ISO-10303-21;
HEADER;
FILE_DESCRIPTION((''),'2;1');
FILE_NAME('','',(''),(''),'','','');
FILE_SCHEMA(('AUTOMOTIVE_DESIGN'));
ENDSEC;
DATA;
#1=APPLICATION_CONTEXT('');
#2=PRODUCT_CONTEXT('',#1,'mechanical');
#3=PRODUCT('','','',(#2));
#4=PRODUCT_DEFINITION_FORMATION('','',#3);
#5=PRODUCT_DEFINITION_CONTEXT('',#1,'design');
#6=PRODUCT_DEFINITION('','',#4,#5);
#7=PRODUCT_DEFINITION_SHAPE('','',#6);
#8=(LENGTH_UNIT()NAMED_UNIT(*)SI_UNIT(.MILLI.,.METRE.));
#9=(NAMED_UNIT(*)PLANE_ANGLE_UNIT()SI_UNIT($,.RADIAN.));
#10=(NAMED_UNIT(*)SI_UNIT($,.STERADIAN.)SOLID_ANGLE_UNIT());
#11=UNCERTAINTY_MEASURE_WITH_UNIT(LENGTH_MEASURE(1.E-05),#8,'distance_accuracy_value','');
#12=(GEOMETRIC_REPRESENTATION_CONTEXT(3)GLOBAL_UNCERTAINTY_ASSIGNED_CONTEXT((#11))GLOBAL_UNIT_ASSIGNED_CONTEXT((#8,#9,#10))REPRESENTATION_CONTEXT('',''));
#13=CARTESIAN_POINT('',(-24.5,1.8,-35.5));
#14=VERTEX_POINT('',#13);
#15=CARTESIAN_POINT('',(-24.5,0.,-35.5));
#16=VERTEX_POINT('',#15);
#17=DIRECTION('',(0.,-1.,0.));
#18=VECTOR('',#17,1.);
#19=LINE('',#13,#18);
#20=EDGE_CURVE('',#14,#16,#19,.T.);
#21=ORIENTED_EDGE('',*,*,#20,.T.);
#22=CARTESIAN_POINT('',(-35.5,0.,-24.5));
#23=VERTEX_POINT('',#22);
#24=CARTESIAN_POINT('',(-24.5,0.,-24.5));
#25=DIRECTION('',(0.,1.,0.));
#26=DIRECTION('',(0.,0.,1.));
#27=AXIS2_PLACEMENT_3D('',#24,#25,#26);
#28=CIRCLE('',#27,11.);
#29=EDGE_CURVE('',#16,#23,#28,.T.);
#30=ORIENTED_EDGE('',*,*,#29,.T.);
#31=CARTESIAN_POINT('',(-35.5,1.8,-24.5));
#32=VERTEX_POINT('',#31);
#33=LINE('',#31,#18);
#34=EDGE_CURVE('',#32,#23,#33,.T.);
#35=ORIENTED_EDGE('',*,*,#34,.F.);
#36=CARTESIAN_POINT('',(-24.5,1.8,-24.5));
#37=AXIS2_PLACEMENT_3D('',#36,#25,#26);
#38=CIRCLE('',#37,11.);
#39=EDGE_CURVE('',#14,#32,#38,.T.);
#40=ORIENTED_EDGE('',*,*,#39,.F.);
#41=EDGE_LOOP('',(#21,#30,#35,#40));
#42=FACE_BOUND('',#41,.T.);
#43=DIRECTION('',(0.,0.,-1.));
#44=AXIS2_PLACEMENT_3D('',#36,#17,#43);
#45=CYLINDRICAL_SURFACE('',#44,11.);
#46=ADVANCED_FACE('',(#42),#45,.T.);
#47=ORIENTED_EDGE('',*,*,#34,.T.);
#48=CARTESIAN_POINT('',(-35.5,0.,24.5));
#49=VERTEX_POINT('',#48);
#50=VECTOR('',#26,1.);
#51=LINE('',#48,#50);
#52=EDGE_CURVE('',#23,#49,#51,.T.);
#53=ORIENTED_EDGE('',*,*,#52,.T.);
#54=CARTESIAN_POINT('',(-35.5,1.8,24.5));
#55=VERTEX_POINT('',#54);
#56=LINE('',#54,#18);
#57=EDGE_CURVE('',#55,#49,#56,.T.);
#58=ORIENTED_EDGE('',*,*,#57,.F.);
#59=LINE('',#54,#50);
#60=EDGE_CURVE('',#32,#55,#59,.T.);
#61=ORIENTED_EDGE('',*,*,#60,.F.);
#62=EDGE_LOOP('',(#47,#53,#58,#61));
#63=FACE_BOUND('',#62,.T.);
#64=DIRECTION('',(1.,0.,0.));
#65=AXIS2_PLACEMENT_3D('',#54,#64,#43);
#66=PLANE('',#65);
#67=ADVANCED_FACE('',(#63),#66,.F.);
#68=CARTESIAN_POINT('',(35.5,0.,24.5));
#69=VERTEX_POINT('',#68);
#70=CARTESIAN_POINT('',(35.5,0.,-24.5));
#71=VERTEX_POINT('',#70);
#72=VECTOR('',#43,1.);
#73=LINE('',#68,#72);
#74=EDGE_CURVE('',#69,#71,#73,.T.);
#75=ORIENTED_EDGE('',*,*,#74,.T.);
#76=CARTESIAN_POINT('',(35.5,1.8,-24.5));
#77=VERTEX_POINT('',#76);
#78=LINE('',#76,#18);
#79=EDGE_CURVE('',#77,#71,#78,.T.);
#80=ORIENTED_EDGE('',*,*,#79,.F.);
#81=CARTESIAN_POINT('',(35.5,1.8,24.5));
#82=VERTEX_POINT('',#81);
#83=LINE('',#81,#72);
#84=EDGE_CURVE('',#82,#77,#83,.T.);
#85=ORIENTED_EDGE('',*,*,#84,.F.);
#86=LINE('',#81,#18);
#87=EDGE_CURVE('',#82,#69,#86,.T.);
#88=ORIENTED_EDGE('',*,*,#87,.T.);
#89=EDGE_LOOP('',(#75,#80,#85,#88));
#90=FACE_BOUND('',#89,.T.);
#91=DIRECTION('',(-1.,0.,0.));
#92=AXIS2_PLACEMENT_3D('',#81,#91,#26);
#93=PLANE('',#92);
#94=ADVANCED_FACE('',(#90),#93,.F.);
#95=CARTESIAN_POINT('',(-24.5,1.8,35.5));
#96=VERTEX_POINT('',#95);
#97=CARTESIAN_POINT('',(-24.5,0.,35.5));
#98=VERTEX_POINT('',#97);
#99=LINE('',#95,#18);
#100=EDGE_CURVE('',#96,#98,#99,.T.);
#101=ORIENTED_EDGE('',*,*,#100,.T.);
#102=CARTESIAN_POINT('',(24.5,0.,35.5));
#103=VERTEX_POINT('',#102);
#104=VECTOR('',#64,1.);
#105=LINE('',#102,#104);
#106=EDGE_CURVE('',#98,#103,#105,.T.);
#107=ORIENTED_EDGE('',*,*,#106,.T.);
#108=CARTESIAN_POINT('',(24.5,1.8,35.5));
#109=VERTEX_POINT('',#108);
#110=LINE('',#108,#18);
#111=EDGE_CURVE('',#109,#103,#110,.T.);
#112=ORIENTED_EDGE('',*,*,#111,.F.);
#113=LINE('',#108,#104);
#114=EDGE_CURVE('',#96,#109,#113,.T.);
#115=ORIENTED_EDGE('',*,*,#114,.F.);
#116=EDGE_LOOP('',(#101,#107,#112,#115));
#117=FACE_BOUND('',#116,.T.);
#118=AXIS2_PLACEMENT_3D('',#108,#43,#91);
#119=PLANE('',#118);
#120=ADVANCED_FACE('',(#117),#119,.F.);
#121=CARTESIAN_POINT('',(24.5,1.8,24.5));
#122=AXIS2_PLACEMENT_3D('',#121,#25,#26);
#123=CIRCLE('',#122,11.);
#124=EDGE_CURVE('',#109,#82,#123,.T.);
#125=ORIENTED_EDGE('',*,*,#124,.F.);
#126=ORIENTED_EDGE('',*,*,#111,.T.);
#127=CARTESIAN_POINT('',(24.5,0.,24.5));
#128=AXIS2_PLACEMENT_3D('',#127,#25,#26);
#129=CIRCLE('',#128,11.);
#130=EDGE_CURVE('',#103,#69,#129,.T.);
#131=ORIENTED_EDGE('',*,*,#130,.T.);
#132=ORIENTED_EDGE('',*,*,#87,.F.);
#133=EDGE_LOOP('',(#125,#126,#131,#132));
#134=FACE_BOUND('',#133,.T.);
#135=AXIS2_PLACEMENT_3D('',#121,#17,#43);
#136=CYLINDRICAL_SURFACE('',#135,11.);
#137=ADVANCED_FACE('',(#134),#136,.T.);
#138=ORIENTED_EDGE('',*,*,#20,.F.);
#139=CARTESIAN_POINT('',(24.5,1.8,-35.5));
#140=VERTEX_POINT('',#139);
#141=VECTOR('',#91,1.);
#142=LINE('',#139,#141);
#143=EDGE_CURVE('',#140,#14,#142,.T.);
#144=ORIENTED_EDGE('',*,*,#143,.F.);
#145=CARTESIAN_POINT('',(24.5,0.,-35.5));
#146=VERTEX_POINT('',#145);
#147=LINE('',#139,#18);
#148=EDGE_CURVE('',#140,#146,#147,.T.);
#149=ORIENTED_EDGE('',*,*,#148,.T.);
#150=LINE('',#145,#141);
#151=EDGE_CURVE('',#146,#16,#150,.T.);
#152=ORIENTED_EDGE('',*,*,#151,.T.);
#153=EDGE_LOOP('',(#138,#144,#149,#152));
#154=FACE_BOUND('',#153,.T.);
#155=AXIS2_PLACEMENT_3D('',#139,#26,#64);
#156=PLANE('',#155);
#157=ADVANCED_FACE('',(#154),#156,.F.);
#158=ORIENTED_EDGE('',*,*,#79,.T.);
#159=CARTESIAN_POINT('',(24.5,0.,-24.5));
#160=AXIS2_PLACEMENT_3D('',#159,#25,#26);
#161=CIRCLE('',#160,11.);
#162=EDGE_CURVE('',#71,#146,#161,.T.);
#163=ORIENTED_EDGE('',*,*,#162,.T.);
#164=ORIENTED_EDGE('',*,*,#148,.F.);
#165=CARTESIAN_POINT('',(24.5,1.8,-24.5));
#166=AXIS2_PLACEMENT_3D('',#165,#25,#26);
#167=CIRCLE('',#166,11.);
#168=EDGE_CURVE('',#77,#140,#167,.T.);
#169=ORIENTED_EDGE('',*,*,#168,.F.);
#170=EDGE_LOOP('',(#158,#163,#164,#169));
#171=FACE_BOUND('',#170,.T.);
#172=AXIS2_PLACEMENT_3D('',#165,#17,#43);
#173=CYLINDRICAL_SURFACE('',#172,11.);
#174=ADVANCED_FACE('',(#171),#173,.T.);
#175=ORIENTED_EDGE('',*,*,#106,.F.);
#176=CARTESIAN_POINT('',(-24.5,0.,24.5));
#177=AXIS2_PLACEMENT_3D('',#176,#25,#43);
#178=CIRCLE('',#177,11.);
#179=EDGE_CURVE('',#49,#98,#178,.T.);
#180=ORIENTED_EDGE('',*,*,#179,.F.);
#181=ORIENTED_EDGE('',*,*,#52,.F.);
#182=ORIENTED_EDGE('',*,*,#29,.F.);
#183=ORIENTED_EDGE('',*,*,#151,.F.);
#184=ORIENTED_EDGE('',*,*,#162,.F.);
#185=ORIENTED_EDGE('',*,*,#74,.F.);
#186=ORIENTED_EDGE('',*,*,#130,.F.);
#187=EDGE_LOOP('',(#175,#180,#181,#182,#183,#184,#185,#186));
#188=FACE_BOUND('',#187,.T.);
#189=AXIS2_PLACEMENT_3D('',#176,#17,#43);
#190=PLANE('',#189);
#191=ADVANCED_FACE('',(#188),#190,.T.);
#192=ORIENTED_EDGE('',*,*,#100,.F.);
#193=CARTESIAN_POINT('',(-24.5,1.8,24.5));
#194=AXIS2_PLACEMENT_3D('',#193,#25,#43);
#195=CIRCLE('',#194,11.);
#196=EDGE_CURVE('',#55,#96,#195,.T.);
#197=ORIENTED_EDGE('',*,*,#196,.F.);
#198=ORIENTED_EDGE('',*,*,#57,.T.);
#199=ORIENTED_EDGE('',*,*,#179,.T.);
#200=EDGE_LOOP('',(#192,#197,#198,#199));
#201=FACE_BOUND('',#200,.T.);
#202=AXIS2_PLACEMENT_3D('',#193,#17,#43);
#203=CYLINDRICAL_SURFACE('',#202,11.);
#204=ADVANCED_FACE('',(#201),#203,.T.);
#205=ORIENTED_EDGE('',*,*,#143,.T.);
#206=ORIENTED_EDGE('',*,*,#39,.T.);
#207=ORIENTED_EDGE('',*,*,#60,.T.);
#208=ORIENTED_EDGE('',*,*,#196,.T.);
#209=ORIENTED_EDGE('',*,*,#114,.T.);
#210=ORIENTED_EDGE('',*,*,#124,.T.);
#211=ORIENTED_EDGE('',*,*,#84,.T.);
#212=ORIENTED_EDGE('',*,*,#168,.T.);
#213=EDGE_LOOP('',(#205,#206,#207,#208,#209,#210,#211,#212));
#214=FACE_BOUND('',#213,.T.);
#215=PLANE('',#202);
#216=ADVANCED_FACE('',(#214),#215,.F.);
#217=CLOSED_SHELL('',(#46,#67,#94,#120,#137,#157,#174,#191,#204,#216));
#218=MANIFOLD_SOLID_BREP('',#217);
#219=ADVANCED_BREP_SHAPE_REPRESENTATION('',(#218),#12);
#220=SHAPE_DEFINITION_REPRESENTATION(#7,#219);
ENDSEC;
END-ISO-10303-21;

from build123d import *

# Parameters (mm, degrees)
BOSS_EXTRUDE1_DEPTH = 1.8


with BuildPart() as part:
    # Sketch1 → Boss-Extrude1 (new body)
    with BuildSketch(Plane(origin=(0, 0, 0), x_dir=(1, 0, 0), z_dir=(0, 1, 0))):
        with BuildLine():
            Line((24.5, -35.5), (-24.5, -35.5))
            ThreePointArc((-24.5, -35.5), (-32.278174593, -32.278174593), (-35.5, -24.5))
            Line((-35.5, -24.5), (-35.5, 24.5))
            ThreePointArc((-35.5, 24.5), (-32.278174593, 32.278174593), (-24.5, 35.5))
            Line((-24.5, 35.5), (24.5, 35.5))
            ThreePointArc((24.5, 35.5), (32.278174593, 32.278174593), (35.5, 24.5))
            Line((35.5, 24.5), (35.5, -24.5))
            ThreePointArc((35.5, -24.5), (32.278174593, -32.278174593), (24.5, -35.5))
        make_face()
    extrude(amount=BOSS_EXTRUDE1_DEPTH)


solid = part.part
